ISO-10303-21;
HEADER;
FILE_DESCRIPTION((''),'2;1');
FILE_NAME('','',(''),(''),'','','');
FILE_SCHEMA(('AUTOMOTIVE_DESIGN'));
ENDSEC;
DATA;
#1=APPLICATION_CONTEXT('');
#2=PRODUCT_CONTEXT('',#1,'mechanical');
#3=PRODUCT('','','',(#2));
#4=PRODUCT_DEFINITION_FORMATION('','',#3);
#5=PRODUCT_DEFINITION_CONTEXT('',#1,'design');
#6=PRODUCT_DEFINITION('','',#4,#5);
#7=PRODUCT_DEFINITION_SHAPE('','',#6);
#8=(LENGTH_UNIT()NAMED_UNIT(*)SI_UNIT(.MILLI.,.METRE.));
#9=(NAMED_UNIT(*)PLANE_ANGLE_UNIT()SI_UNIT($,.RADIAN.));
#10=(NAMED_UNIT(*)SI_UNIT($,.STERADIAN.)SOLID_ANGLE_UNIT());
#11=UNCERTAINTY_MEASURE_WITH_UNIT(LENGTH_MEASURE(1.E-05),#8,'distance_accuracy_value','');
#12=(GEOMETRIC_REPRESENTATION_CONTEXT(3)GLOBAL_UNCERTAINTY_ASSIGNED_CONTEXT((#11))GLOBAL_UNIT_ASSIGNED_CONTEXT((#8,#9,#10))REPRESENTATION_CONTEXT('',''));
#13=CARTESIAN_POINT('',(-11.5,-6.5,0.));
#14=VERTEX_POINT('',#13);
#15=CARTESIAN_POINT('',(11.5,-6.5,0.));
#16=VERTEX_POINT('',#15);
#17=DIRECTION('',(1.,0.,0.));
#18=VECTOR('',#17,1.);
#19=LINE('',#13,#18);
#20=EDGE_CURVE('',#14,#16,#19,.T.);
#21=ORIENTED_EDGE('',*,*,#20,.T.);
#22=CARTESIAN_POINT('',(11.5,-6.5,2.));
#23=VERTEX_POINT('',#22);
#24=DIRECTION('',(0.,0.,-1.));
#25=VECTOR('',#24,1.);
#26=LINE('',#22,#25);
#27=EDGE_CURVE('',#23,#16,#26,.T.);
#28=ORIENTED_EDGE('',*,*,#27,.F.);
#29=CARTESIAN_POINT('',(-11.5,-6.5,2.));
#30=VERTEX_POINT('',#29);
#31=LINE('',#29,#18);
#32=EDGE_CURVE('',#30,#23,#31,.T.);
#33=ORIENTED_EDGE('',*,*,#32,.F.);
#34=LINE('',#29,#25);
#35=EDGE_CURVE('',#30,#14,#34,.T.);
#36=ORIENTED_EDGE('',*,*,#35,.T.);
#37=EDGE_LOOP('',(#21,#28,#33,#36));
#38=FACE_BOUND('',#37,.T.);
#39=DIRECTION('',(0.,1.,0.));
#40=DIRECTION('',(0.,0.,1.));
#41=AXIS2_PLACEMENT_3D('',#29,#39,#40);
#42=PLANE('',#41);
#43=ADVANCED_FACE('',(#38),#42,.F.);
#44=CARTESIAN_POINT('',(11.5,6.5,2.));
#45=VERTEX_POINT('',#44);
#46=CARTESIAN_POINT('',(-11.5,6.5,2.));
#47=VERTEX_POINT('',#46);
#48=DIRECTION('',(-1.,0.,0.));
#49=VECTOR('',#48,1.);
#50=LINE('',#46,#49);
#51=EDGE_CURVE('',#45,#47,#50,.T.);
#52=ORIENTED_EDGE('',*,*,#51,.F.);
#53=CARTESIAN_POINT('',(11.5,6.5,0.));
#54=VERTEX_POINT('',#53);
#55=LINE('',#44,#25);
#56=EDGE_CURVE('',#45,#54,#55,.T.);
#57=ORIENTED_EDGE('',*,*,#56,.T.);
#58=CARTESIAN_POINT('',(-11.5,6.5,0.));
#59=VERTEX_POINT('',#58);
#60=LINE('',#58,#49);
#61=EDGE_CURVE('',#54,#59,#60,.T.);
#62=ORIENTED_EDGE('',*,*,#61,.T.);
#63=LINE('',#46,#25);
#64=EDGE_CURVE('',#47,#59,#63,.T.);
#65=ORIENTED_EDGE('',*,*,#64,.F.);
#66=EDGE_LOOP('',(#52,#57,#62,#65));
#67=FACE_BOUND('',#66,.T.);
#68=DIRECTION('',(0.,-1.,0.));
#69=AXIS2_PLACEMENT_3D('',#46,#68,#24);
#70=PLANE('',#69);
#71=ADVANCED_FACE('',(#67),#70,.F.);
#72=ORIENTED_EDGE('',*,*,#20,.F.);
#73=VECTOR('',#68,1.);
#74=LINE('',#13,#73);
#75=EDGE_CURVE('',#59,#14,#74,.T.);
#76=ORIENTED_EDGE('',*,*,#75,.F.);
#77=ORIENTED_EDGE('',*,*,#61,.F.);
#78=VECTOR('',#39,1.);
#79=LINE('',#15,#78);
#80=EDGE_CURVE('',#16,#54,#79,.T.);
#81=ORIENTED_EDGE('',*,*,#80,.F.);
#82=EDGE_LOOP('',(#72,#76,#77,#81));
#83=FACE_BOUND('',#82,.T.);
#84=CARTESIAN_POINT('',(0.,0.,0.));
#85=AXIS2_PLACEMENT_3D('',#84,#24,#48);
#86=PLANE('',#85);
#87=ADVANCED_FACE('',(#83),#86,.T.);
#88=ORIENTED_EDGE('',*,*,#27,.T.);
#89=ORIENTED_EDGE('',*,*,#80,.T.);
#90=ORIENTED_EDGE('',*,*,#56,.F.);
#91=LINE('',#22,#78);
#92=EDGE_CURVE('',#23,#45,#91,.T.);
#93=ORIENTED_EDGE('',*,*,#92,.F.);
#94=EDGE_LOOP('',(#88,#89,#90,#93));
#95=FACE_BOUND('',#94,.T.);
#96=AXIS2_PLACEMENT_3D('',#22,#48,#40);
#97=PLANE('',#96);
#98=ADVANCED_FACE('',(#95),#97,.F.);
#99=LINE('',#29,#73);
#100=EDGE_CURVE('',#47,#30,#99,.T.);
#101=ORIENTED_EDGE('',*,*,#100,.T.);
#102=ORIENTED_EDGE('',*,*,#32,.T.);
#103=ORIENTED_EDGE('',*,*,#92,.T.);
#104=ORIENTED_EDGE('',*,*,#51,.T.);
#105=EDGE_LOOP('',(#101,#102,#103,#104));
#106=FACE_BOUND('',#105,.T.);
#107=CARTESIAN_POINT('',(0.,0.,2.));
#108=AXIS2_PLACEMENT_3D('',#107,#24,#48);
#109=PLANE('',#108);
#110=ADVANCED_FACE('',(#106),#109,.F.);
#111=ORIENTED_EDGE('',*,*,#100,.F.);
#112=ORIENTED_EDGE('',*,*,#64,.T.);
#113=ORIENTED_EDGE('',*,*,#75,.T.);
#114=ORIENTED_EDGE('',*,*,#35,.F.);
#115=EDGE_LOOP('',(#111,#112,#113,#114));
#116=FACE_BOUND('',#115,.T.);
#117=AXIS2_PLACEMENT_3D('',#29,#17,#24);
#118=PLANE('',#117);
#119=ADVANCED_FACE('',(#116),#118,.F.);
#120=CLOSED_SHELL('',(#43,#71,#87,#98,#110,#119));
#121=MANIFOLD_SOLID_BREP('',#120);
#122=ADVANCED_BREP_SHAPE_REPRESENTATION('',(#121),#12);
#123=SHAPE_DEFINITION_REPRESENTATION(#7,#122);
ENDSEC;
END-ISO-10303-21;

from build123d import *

# Parameters (mm, degrees)
ESBO_O1_W                = 23
ESBO_O1_H                = 13
RESSALTO_EXTRUS_O1_DEPTH = 2


with BuildPart() as part:
    # Esboço1 → Ressalto-extrusão1 (new body)
    with BuildSketch(Plane.XY):
        Rectangle(ESBO_O1_W, ESBO_O1_H)
    extrude(amount=RESSALTO_EXTRUS_O1_DEPTH)


solid = part.part
